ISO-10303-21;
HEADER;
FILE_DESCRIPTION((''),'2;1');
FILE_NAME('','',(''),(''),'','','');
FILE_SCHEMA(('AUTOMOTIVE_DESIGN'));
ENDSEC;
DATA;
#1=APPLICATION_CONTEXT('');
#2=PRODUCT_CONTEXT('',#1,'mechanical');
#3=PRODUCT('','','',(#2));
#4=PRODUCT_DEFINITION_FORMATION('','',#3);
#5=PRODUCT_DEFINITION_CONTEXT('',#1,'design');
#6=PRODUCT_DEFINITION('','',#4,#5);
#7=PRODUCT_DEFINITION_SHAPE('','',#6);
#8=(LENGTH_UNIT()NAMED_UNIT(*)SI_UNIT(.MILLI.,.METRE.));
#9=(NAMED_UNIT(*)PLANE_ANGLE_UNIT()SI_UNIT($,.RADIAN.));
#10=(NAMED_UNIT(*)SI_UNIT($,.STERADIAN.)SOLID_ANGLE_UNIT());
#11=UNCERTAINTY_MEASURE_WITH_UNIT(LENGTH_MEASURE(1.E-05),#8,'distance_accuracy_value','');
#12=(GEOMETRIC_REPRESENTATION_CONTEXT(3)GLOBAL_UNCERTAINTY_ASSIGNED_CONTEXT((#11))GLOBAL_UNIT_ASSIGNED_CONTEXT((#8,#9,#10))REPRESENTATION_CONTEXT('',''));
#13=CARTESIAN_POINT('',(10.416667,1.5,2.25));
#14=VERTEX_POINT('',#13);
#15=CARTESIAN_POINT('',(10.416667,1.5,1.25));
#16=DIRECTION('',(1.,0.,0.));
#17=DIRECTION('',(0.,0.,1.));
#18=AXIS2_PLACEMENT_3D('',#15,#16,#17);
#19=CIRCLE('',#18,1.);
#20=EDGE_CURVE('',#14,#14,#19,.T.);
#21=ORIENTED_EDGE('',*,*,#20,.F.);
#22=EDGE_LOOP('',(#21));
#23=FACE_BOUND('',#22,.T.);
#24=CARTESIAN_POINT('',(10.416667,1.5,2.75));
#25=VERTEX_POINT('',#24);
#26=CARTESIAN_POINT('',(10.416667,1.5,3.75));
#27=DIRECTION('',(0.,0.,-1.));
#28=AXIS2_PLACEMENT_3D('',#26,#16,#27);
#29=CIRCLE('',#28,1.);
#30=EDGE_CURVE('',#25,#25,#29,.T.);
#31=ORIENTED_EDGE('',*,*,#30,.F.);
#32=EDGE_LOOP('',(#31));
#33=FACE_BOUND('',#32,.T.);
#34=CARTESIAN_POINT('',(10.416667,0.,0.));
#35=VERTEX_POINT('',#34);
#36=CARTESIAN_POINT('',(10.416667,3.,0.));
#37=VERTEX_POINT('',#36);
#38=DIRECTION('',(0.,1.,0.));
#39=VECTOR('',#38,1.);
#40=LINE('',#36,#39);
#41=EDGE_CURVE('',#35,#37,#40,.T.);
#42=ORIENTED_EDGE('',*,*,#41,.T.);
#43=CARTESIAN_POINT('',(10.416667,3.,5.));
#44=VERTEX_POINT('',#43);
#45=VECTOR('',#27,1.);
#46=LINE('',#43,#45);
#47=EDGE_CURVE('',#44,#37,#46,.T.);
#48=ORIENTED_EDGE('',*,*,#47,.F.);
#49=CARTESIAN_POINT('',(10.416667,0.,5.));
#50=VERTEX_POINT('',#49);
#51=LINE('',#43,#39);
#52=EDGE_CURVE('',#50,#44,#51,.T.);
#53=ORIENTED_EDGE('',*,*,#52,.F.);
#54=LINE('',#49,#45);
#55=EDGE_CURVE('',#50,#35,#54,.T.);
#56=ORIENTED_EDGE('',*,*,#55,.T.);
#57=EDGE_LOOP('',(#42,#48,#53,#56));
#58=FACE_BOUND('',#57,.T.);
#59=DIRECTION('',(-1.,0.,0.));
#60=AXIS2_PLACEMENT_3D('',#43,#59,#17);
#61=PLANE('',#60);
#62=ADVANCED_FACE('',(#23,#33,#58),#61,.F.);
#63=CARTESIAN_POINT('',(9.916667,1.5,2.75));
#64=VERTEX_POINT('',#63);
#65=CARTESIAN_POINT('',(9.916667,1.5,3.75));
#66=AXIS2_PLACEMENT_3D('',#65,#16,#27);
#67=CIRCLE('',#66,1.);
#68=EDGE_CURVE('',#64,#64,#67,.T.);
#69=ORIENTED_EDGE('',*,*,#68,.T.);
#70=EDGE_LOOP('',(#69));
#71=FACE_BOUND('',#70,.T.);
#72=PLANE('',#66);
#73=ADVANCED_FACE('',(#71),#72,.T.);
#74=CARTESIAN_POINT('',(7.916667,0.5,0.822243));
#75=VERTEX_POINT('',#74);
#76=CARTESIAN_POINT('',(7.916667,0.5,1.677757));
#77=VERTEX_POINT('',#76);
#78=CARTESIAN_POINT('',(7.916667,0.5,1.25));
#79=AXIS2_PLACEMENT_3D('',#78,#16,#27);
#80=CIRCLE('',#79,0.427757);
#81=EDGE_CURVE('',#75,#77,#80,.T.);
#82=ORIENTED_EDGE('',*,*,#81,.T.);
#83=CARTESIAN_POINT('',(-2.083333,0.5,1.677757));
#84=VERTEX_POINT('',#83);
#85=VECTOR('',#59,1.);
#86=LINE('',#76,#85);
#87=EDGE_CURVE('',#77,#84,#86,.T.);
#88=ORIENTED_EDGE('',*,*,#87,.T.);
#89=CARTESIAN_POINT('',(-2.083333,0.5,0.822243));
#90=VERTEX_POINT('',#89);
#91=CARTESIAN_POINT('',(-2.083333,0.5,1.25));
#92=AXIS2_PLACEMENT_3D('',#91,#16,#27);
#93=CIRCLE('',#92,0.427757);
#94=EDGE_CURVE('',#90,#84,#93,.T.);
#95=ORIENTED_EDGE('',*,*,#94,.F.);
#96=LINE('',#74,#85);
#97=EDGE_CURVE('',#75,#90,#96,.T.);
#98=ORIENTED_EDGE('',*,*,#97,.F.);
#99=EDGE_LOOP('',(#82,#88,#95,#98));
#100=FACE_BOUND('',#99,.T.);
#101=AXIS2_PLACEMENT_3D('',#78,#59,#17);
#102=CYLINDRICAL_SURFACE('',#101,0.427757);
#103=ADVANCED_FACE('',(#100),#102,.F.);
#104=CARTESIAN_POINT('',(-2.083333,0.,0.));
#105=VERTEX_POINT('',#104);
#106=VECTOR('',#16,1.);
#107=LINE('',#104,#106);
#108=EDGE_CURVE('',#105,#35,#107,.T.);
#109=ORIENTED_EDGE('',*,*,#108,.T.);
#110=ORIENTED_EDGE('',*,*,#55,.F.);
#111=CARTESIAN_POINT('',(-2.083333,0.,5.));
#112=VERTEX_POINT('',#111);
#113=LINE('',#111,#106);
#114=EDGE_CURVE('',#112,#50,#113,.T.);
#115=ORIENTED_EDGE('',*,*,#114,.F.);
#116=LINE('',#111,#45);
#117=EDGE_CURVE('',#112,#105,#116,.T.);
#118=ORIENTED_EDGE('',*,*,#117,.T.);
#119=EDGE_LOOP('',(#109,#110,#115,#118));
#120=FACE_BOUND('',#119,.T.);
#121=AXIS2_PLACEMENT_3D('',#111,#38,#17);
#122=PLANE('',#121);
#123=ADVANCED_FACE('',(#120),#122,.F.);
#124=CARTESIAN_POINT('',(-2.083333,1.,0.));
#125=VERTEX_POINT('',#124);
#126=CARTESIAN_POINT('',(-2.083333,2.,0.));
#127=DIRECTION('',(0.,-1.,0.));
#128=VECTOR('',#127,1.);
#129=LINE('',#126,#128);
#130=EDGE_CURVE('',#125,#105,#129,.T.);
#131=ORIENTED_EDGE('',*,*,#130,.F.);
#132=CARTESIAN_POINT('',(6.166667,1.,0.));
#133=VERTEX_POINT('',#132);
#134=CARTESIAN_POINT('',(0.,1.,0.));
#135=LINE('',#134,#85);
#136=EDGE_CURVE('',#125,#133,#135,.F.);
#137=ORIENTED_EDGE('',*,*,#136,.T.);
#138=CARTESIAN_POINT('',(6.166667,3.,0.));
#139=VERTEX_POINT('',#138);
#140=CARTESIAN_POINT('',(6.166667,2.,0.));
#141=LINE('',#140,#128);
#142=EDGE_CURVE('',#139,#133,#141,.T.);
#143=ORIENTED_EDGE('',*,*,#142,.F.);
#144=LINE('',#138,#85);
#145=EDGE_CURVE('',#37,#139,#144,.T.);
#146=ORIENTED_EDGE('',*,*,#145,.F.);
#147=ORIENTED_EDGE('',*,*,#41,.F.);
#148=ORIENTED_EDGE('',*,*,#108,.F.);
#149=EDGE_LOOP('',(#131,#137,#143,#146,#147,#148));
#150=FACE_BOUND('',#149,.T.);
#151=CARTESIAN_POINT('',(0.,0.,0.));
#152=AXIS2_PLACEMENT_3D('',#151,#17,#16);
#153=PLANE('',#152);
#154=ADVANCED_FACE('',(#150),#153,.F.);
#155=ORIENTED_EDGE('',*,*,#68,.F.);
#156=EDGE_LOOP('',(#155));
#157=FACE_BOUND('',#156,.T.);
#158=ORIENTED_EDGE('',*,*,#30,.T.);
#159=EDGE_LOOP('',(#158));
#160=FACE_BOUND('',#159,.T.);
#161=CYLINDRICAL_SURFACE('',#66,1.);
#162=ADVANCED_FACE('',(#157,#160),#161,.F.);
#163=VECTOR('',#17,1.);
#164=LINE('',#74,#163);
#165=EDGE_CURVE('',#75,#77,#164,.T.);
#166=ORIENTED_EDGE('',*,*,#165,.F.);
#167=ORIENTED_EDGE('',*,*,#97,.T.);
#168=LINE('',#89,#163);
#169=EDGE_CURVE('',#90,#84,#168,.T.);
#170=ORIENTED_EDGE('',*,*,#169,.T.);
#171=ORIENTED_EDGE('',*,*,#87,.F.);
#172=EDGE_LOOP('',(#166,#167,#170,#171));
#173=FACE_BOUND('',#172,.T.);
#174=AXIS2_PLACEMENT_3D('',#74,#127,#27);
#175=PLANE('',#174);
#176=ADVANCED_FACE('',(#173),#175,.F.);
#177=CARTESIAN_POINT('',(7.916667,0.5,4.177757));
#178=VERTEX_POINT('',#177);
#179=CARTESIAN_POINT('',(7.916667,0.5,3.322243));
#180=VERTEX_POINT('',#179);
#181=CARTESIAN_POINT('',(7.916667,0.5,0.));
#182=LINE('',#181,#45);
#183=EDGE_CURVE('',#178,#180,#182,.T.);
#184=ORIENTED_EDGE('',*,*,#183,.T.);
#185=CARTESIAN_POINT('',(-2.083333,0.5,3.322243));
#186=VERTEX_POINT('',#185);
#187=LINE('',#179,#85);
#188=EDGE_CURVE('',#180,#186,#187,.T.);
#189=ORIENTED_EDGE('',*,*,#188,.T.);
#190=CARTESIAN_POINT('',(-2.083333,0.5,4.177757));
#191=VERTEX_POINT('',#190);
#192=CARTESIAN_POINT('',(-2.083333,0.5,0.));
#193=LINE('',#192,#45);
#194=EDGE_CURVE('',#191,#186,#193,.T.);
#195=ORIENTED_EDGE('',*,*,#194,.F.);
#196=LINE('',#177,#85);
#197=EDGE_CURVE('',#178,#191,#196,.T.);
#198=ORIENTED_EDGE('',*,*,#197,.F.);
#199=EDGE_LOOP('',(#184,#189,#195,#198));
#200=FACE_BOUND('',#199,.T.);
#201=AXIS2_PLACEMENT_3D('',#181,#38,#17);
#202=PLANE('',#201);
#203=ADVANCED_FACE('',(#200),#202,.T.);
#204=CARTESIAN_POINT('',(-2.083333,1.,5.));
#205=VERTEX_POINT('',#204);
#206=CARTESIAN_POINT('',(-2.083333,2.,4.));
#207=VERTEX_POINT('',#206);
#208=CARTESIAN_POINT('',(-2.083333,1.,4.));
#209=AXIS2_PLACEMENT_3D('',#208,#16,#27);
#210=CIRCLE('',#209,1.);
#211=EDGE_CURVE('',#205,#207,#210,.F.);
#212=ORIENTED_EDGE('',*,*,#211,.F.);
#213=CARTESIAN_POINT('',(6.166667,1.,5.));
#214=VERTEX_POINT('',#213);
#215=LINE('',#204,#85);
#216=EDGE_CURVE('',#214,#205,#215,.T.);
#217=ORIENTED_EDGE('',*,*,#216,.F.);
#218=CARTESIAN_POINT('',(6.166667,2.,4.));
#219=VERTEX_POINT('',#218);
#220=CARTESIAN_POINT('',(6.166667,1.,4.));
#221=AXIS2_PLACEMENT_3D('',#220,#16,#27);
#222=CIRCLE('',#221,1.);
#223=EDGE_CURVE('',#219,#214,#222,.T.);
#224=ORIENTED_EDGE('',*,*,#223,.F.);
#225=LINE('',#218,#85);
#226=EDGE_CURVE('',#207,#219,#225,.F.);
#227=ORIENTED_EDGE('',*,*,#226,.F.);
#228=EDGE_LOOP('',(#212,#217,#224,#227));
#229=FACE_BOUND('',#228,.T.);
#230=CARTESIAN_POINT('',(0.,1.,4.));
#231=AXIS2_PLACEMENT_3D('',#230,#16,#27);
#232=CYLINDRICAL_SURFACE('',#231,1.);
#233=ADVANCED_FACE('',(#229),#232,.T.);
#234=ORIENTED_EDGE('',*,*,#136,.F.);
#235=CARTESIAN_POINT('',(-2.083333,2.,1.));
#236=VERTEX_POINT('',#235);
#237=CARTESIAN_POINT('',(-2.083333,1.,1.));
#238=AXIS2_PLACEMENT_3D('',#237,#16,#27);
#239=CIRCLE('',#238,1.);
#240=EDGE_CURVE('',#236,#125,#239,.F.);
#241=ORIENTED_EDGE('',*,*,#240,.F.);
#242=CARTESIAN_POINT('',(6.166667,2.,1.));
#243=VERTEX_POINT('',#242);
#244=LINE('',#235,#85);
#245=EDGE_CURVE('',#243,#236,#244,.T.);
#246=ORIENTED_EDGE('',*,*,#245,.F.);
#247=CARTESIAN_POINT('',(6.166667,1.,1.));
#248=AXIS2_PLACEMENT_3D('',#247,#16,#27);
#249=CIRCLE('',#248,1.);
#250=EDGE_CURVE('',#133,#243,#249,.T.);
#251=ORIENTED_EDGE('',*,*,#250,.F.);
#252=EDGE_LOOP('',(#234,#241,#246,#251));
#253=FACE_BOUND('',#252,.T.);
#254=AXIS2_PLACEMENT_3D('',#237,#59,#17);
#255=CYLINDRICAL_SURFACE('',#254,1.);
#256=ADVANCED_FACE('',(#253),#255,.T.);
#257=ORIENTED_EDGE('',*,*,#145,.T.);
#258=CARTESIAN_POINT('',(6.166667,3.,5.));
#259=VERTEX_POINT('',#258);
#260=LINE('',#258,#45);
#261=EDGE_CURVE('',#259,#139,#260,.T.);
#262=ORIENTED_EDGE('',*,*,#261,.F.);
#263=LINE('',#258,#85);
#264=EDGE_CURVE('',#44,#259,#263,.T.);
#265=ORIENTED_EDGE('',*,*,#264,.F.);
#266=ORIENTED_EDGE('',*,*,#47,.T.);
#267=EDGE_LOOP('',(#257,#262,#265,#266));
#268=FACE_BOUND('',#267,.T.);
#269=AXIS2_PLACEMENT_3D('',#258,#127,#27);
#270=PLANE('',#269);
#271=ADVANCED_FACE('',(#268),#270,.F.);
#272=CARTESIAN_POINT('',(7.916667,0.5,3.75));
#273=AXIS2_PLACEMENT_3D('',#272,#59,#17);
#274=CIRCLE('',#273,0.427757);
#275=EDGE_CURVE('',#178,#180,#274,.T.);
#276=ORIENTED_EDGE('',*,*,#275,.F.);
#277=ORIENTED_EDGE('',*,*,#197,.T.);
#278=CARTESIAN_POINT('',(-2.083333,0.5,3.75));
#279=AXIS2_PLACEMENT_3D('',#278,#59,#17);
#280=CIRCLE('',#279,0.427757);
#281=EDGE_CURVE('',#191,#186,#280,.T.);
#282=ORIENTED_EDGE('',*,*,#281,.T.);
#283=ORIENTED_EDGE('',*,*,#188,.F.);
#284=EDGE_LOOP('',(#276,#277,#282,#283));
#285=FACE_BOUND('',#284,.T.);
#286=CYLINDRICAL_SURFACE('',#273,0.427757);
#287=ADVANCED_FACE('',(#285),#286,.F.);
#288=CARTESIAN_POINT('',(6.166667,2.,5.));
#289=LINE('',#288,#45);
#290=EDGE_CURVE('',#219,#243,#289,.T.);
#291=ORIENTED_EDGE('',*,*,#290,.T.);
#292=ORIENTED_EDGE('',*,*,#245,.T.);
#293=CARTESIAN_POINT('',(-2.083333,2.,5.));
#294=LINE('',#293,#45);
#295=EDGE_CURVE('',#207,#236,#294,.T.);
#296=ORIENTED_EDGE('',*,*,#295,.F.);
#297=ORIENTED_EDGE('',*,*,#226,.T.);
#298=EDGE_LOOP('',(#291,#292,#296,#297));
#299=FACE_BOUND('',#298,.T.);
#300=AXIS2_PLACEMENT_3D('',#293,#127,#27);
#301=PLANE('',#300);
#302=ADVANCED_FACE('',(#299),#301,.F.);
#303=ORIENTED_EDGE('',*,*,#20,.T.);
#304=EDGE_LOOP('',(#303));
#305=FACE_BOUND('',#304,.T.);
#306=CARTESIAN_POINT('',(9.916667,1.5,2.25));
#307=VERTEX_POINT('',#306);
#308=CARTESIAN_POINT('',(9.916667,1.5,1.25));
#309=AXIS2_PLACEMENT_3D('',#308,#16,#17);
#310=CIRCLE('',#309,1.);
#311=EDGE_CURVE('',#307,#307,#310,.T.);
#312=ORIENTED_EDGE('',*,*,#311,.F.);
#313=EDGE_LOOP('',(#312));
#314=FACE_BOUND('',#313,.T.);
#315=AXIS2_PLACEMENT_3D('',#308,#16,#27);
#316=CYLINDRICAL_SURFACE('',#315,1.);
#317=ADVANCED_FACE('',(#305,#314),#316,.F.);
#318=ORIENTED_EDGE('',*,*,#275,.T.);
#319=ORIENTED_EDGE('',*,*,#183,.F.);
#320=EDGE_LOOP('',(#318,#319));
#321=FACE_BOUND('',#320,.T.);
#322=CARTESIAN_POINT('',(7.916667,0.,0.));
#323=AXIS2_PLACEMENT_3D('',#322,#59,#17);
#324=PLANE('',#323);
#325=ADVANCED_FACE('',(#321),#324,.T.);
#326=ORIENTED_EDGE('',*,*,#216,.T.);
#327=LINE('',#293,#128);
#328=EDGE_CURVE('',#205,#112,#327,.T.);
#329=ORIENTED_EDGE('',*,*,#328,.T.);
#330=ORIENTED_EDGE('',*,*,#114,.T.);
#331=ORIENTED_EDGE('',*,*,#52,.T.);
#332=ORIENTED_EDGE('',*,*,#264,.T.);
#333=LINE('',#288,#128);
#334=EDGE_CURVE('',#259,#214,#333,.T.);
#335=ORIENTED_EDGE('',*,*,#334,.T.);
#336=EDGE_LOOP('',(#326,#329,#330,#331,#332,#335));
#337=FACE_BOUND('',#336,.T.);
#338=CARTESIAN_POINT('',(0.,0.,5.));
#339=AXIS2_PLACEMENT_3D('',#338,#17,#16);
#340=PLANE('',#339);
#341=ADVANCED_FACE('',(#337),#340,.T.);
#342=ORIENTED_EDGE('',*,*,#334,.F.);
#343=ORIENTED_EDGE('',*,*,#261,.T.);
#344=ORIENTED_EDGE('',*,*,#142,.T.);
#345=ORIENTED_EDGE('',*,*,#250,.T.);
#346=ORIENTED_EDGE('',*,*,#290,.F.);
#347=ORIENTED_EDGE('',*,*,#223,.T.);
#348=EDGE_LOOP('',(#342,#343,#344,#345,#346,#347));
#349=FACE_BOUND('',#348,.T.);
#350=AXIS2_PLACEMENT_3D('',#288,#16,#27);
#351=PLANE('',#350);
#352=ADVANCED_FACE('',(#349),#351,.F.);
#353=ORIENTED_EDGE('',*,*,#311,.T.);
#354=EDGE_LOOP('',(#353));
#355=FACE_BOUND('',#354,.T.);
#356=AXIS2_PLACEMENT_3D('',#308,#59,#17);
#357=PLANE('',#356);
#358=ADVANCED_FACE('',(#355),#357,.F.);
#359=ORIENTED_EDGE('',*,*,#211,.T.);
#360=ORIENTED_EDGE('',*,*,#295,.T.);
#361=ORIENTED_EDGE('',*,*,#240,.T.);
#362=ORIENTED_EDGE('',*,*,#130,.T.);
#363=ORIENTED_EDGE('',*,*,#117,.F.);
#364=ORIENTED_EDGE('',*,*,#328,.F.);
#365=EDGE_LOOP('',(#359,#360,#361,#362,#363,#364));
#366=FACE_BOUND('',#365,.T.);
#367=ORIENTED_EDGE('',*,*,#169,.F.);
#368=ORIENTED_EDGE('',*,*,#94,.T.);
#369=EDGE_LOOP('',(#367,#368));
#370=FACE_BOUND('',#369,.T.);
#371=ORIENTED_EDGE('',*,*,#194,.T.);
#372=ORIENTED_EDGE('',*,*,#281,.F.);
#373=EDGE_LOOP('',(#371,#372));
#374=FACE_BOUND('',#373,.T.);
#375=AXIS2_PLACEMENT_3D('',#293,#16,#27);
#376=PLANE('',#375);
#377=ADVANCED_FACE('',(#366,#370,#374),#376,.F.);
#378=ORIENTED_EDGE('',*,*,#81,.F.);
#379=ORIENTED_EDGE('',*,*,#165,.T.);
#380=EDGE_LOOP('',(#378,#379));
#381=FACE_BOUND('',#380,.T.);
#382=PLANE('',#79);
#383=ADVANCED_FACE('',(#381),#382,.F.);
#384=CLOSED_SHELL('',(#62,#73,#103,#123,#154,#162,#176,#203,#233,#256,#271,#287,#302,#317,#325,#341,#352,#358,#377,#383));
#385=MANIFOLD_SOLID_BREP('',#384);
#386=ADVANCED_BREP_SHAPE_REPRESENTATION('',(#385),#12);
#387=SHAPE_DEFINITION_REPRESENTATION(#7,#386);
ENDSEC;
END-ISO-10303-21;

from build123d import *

# Parameters (mm, degrees)
BOSS_EXTRUDE1_DEPTH = 5
FILLET4_R           = 1
CUT_EXTRUDE3_DEPTH  = 10
SKETCH5_R           = 1
CUT_EXTRUDE4_DEPTH  = 0.5


with BuildPart() as part:
    # Sketch1 → Boss-Extrude1 (new body)
    with BuildSketch(Plane.XY):
        Polygon((10.416666667, 3), (10.416666667, 0), (-2.083333333, 0), (-2.083333333, 2), (6.166666667, 2), (6.166666667, 3), align=None)
    extrude(amount=BOSS_EXTRUDE1_DEPTH)

    # Fillet4
    fillet4_edges = [part.edges().sort_by_distance(p)[0] for p in [
        (2.041666667, 2, 5),
        (2.041666667, 2, 0),
    ]]
    fillet(fillet4_edges, radius=FILLET4_R)

    # Sketch2 → Cut-Extrude3 (cut)
    with BuildSketch(Plane.ZY.offset(2.083333333)):
        with BuildLine():
            Line((4.177757267, 0.5), (3.322242733, 0.5))
            ThreePointArc((3.322242733, 0.5), (3.75, 0.927757267), (4.177757267, 0.5))
        make_face()
        with BuildLine():
            Line((0.822242733, 0.5), (1.677757267, 0.5))
            ThreePointArc((1.677757267, 0.5), (1.25, 0.927757267), (0.822242733, 0.5))
        make_face()
    extrude(amount=-CUT_EXTRUDE3_DEPTH, mode=Mode.SUBTRACT)

    # Sketch5 → Cut-Extrude4 (cut)
    with BuildSketch(Plane(origin=(10.416666667, 0, 0), x_dir=(0, 0, -1), z_dir=(1, 0, 0))):
        with Locations((-3.75, 1.5)):
            Circle(SKETCH5_R)
        with Locations(Location((-1.25, 1.5, 0), (0, 0, 180))):
            Circle(SKETCH5_R)
    extrude(amount=-CUT_EXTRUDE4_DEPTH, mode=Mode.SUBTRACT)


solid = part.part
